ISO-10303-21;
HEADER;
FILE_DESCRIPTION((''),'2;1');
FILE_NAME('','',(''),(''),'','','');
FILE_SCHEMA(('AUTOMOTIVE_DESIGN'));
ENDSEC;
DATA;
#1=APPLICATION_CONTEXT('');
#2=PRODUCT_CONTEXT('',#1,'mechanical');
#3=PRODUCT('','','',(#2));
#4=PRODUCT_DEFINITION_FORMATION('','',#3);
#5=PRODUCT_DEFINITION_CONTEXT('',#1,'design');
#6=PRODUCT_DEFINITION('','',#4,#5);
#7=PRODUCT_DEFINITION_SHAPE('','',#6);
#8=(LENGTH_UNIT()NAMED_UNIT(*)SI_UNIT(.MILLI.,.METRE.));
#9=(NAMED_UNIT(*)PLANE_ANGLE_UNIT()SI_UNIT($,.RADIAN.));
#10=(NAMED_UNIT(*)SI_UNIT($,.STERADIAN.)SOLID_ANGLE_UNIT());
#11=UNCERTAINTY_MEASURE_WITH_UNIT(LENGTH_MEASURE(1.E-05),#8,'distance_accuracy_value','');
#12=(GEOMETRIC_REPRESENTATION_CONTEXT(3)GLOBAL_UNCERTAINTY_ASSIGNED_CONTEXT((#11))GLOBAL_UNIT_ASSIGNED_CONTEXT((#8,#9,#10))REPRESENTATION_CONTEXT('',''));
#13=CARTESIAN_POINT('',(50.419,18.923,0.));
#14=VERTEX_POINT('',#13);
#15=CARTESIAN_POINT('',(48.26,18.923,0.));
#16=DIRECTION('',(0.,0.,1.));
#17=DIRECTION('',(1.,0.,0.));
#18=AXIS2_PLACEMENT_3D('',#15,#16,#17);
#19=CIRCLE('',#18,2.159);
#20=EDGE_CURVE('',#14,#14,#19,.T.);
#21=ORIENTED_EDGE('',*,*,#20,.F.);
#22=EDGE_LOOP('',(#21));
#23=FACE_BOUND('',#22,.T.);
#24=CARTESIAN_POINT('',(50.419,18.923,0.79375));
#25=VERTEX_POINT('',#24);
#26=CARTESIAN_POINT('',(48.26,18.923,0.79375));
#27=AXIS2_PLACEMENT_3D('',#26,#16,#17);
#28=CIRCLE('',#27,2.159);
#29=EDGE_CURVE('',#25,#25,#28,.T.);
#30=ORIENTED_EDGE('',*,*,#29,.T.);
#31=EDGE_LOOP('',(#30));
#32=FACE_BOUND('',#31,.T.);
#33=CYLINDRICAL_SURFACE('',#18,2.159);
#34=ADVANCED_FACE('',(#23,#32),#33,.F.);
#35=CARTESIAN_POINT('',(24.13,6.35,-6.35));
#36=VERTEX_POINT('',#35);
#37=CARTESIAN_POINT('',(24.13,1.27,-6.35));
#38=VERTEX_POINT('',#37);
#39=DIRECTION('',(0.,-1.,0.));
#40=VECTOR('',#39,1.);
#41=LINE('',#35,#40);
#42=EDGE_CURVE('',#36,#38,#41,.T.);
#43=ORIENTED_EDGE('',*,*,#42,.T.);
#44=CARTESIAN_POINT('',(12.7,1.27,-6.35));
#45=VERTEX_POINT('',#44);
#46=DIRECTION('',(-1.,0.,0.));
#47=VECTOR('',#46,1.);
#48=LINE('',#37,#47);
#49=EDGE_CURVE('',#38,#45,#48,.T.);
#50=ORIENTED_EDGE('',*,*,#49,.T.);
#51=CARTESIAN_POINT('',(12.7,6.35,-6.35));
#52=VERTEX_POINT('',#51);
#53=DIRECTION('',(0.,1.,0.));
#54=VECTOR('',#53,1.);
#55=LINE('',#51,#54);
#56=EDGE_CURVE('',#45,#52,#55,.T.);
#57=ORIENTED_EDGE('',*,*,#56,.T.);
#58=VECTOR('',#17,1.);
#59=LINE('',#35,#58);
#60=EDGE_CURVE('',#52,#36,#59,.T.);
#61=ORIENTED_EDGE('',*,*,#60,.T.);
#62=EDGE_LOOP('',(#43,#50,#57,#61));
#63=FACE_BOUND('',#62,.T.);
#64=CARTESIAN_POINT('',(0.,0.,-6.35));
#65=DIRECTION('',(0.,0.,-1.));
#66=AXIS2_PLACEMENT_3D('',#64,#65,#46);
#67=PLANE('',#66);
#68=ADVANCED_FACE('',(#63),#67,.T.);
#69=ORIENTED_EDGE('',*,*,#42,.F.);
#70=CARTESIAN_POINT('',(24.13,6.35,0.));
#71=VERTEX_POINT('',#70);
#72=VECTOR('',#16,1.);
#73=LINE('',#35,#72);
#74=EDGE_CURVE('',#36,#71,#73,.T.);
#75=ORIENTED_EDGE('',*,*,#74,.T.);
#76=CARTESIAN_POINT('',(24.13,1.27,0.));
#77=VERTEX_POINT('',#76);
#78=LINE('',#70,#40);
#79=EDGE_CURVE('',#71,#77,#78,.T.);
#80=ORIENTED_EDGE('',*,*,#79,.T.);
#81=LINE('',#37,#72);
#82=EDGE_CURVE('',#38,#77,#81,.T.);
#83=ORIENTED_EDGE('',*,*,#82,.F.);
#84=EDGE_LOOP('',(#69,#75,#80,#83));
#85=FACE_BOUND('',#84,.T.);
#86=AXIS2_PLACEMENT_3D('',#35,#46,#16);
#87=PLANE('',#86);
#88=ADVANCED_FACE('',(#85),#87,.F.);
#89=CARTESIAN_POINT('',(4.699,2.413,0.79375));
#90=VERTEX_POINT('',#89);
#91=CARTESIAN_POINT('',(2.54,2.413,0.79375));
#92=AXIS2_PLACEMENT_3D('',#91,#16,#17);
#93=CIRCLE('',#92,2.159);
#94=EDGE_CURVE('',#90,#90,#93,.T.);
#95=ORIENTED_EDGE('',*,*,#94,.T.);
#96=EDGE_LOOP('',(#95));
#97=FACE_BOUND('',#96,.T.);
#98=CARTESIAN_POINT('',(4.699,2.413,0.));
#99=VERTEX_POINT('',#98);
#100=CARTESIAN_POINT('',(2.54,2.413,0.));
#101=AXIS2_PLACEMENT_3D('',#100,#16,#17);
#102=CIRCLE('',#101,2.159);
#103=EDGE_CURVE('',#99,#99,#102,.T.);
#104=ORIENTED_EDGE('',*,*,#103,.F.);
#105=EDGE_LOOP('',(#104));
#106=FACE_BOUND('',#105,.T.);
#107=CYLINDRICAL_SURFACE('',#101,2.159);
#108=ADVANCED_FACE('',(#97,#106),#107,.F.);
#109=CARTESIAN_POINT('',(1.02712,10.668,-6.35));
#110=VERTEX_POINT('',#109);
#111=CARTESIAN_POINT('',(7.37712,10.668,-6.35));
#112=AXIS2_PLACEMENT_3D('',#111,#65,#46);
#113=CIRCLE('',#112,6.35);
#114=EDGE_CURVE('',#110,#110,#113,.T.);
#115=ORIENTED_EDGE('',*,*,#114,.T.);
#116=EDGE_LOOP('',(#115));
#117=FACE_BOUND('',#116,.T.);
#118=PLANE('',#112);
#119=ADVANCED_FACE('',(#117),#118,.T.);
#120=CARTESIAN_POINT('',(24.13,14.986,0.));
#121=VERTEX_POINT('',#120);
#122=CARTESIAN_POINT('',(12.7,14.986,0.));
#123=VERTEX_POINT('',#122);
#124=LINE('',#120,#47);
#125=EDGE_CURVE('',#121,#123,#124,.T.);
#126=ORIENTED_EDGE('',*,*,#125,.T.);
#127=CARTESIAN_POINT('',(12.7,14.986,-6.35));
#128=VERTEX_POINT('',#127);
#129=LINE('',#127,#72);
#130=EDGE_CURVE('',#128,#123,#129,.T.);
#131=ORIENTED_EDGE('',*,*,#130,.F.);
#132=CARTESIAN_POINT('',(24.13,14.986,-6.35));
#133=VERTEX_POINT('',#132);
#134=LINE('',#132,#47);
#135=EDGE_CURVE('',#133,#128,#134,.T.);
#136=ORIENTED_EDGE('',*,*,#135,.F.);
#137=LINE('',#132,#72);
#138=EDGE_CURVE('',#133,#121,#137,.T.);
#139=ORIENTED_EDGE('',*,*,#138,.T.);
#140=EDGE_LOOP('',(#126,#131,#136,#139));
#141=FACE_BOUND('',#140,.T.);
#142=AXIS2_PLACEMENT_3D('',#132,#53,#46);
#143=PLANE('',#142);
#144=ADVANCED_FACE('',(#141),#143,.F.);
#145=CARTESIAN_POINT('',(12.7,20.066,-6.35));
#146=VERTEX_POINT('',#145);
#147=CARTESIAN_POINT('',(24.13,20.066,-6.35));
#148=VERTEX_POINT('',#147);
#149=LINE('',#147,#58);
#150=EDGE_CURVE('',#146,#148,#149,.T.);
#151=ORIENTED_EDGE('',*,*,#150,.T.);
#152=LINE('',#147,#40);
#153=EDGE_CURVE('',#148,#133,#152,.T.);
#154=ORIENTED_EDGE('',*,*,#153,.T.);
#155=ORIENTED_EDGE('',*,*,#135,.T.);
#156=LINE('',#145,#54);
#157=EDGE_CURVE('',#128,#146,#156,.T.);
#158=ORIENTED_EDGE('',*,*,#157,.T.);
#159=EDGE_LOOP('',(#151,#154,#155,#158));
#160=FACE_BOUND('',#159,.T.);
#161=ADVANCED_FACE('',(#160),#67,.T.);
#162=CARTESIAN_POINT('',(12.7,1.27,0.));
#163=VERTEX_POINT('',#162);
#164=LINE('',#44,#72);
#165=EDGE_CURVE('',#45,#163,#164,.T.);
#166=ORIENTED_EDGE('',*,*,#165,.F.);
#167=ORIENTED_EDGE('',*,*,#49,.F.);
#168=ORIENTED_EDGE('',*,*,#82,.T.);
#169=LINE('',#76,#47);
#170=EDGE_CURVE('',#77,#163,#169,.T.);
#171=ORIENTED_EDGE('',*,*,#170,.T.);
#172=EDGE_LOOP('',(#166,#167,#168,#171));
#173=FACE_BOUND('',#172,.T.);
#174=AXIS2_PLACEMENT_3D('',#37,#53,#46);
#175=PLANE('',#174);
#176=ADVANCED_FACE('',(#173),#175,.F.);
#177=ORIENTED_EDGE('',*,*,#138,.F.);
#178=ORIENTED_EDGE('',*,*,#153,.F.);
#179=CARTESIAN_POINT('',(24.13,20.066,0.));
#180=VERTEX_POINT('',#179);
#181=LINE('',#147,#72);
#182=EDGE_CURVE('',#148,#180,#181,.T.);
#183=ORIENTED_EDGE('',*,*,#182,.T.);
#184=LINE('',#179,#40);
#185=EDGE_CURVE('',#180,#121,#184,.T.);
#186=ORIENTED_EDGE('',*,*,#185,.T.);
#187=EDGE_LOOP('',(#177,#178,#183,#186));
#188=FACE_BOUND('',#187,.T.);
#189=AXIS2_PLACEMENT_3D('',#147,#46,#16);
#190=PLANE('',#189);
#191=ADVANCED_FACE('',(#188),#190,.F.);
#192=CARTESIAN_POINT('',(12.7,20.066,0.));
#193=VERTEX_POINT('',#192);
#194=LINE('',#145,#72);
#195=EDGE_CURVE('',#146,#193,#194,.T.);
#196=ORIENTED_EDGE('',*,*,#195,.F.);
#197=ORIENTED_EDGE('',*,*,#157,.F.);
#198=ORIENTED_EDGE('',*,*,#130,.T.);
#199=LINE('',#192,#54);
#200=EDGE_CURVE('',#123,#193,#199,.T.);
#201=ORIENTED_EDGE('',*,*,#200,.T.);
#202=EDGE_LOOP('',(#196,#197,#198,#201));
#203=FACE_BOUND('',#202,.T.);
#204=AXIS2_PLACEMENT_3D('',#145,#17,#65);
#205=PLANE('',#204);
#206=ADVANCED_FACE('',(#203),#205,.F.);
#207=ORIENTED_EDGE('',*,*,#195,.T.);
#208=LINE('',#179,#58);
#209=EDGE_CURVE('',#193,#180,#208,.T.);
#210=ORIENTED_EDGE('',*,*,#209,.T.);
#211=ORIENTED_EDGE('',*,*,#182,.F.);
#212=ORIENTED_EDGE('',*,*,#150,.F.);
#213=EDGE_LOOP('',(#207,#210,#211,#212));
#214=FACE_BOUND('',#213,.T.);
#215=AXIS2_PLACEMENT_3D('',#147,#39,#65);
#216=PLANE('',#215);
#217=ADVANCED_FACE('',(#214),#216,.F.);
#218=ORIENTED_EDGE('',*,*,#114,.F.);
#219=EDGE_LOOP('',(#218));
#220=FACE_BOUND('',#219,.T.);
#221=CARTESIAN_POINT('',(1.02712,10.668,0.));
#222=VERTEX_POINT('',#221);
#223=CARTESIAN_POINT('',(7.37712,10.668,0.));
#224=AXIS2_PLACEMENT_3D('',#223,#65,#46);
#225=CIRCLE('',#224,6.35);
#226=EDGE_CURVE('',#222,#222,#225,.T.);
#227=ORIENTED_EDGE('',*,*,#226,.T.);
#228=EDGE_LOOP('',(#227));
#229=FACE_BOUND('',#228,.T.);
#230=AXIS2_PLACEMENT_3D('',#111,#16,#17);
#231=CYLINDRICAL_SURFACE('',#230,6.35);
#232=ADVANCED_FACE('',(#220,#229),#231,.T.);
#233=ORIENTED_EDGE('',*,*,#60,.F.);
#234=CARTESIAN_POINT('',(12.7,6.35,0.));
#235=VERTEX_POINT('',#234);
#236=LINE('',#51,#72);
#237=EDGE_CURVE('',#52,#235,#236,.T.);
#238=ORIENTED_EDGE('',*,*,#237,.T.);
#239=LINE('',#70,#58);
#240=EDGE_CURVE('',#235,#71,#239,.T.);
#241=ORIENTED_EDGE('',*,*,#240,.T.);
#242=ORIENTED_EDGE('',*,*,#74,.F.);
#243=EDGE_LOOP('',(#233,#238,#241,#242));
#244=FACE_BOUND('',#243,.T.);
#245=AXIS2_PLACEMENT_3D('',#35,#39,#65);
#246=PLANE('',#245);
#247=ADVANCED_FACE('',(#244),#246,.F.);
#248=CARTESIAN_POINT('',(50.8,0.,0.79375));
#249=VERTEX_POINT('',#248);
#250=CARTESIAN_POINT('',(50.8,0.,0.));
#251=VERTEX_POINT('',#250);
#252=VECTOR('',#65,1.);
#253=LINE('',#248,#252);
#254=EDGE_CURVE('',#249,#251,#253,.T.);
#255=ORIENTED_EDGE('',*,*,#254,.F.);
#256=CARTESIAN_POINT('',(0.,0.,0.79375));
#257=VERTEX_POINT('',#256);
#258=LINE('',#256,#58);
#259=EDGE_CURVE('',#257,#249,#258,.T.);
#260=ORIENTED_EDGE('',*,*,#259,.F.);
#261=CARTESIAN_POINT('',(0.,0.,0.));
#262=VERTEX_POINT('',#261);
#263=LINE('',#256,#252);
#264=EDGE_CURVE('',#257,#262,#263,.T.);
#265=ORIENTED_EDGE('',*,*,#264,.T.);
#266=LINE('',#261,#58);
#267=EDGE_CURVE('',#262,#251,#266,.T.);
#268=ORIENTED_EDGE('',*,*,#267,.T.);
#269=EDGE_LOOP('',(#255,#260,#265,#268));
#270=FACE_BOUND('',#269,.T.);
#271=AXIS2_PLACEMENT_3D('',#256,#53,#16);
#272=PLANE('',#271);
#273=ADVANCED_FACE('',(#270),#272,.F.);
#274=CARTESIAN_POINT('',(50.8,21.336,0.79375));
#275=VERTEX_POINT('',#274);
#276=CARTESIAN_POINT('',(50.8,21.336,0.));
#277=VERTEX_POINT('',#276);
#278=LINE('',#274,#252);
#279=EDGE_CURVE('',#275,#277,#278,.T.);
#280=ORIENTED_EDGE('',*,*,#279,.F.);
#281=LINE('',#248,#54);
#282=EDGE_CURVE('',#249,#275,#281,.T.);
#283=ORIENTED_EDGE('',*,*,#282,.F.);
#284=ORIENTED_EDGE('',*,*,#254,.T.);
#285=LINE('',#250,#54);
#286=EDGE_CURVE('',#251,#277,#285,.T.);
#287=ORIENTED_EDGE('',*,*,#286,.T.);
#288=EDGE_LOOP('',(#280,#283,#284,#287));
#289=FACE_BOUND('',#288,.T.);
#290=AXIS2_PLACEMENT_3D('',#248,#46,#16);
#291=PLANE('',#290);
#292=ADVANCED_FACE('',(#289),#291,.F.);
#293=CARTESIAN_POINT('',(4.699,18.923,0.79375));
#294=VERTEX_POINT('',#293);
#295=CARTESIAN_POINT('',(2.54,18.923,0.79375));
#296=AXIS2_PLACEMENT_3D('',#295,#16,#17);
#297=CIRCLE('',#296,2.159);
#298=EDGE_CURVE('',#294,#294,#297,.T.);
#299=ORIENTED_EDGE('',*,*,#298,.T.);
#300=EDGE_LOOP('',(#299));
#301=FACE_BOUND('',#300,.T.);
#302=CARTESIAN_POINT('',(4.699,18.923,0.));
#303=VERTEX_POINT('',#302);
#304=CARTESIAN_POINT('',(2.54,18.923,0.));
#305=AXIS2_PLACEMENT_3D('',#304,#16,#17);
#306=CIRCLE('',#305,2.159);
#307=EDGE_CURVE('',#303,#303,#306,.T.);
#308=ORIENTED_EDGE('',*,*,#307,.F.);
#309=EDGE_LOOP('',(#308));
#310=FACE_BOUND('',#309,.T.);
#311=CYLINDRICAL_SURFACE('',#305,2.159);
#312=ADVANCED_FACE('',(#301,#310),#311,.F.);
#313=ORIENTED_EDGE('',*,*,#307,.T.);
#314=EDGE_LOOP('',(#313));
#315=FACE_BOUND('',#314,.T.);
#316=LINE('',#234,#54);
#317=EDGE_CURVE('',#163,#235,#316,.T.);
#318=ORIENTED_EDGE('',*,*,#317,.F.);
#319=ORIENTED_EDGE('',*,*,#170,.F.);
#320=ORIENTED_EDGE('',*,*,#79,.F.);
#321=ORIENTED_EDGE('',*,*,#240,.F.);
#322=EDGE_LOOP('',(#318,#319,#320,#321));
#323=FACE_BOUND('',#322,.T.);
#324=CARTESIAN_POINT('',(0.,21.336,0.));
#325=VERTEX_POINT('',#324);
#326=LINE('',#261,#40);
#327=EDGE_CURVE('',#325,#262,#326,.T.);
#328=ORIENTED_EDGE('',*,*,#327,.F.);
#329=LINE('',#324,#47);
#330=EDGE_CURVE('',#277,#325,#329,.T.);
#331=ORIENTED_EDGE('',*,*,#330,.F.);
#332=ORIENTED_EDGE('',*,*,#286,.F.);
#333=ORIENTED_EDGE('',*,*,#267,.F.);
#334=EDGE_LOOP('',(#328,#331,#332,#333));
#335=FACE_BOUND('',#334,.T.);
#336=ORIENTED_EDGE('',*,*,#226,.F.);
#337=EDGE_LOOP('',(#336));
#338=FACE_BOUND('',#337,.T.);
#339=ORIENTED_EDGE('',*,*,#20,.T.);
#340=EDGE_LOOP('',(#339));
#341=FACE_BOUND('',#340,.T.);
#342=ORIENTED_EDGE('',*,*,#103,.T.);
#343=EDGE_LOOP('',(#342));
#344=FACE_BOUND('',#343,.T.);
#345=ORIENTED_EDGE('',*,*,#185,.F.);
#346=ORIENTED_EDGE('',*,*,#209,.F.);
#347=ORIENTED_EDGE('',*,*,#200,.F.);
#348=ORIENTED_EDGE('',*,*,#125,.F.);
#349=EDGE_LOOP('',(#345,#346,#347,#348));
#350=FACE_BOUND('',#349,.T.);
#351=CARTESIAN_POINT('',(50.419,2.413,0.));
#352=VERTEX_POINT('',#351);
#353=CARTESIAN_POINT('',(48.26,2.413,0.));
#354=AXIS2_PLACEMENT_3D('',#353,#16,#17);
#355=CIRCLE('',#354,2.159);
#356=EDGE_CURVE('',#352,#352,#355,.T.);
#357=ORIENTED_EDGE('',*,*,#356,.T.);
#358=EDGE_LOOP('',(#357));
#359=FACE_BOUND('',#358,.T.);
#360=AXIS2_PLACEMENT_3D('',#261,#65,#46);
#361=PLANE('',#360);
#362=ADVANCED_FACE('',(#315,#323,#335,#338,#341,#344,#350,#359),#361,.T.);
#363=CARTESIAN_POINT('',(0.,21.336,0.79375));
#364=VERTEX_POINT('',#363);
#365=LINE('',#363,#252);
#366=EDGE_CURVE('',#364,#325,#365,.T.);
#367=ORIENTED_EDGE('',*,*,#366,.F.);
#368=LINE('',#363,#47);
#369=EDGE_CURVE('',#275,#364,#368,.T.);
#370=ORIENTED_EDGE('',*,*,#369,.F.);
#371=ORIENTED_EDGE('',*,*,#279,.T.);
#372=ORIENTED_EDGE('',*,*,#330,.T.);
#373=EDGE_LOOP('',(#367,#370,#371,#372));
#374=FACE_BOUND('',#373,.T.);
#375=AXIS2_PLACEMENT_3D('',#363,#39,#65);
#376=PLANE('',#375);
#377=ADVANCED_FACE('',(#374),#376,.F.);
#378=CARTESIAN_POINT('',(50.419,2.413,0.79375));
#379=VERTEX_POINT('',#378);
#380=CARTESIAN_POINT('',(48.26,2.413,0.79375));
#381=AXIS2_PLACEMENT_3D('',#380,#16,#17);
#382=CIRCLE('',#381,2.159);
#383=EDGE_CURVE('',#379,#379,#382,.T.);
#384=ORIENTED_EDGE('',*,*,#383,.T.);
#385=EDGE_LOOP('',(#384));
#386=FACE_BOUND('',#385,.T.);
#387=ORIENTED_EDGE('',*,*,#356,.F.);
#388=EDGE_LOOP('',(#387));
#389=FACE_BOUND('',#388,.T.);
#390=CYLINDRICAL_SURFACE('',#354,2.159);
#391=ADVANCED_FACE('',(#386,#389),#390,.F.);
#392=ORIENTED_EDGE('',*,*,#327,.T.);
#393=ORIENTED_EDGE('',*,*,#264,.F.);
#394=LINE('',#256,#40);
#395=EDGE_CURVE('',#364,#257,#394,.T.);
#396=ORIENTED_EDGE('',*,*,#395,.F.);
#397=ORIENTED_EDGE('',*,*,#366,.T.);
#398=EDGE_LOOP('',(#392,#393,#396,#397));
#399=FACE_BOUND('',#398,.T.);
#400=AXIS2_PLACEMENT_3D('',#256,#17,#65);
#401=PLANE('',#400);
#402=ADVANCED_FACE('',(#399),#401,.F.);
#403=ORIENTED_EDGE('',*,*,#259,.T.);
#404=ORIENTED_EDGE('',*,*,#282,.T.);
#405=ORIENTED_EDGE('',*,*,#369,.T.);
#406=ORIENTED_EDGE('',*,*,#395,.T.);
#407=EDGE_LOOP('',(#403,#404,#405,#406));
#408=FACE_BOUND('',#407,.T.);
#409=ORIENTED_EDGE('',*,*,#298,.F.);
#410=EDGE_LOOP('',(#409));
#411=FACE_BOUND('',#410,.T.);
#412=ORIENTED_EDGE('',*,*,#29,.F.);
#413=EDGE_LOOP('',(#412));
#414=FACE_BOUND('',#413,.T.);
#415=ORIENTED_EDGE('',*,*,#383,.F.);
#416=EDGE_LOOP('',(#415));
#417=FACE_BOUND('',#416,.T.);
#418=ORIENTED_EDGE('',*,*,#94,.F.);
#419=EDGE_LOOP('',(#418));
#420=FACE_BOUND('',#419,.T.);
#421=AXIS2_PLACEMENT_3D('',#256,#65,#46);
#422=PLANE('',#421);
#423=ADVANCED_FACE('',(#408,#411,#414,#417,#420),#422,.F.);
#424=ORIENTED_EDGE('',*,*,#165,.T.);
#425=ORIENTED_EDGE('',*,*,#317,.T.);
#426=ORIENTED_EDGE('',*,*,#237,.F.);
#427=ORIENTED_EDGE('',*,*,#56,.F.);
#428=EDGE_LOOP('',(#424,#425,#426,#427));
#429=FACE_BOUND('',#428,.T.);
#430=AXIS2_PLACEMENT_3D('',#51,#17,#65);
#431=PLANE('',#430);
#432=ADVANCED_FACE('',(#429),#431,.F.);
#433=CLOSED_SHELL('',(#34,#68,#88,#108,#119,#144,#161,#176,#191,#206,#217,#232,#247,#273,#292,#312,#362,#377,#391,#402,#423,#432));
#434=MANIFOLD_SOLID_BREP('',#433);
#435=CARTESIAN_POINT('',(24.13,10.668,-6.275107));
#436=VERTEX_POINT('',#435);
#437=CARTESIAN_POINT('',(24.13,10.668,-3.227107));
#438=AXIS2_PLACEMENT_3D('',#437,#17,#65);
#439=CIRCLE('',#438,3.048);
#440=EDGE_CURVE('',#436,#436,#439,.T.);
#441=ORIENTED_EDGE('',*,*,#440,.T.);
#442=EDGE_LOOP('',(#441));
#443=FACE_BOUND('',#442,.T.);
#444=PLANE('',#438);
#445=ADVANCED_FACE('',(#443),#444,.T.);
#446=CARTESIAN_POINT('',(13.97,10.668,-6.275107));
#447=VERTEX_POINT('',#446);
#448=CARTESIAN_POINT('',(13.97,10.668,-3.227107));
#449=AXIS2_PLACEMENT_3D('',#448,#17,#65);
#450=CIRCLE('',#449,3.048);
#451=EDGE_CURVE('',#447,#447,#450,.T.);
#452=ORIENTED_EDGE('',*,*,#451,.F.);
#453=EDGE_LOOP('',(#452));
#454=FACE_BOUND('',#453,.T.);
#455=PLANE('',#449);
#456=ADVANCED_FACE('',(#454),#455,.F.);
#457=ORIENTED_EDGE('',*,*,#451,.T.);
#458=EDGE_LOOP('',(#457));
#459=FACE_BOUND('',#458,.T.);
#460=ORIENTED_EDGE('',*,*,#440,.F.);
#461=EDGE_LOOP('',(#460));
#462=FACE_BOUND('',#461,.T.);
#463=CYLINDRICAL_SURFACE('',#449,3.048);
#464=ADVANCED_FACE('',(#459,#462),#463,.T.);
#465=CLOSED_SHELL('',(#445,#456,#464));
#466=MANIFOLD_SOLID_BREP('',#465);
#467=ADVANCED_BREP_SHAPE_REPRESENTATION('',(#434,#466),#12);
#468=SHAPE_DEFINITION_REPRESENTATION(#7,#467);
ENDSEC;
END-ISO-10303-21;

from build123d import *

# Parameters (mm, degrees)
SKETCH1_W           = 50.8
SKETCH1_H           = 21.336
BOSS_EXTRUDE1_DEPTH = 0.79375
SKETCH2_R           = 2.159
CUT_EXTRUDE1_DEPTH  = 56.104400324
SKETCH3_R           = 6.35
SKETCH3_W           = 11.43
SKETCH3_H           = 5.08
BOSS_EXTRUDE2_DEPTH = 6.35
SKETCH4_R           = 3.048
BOSS_EXTRUDE3_DEPTH = 10.16


with BuildPart() as part:
    # Sketch1 → Boss-Extrude1 (new body)
    with BuildSketch(Plane.XY):
        with Locations((25.4, 10.668)):
            Rectangle(SKETCH1_W, SKETCH1_H)
    extrude(amount=BOSS_EXTRUDE1_DEPTH)

    # Sketch2 → Cut-Extrude1 (cut, through all)
    with BuildSketch(Plane.XY.offset(0.79375)):
        with Locations((2.54, 18.923)):
            Circle(SKETCH2_R)
        with Locations((2.54, 2.413)):
            Circle(SKETCH2_R)
        with Locations((48.26, 2.413)):
            Circle(SKETCH2_R)
        with Locations((48.26, 18.923)):
            Circle(SKETCH2_R)
    extrude(amount=-CUT_EXTRUDE1_DEPTH, mode=Mode.SUBTRACT)

    # Sketch3 → Boss-Extrude2 (add)
    with BuildSketch(Plane(origin=(0, 0, 0), x_dir=(-1, 0, 0), z_dir=(0, 0, -1))):
        with Locations((-7.377120002, 10.668)):
            Circle(SKETCH3_R)
        with Locations((-18.415, 17.526)):
            Rectangle(SKETCH3_W, SKETCH3_H)
        with Locations((-18.415, 3.81)):
            Rectangle(SKETCH3_W, SKETCH3_H)
    extrude(amount=BOSS_EXTRUDE2_DEPTH)


with BuildPart() as body_2:
    # Sketch4 → Boss-Extrude3 (new body)
    with BuildSketch(Plane(origin=(24.13, 0, 0), x_dir=(0, 0, -1), z_dir=(1, 0, 0))):
        with Locations((3.227106746, 10.668)):
            Circle(SKETCH4_R)
    extrude(amount=-BOSS_EXTRUDE3_DEPTH)


solid = Compound([part.part, body_2.part])
